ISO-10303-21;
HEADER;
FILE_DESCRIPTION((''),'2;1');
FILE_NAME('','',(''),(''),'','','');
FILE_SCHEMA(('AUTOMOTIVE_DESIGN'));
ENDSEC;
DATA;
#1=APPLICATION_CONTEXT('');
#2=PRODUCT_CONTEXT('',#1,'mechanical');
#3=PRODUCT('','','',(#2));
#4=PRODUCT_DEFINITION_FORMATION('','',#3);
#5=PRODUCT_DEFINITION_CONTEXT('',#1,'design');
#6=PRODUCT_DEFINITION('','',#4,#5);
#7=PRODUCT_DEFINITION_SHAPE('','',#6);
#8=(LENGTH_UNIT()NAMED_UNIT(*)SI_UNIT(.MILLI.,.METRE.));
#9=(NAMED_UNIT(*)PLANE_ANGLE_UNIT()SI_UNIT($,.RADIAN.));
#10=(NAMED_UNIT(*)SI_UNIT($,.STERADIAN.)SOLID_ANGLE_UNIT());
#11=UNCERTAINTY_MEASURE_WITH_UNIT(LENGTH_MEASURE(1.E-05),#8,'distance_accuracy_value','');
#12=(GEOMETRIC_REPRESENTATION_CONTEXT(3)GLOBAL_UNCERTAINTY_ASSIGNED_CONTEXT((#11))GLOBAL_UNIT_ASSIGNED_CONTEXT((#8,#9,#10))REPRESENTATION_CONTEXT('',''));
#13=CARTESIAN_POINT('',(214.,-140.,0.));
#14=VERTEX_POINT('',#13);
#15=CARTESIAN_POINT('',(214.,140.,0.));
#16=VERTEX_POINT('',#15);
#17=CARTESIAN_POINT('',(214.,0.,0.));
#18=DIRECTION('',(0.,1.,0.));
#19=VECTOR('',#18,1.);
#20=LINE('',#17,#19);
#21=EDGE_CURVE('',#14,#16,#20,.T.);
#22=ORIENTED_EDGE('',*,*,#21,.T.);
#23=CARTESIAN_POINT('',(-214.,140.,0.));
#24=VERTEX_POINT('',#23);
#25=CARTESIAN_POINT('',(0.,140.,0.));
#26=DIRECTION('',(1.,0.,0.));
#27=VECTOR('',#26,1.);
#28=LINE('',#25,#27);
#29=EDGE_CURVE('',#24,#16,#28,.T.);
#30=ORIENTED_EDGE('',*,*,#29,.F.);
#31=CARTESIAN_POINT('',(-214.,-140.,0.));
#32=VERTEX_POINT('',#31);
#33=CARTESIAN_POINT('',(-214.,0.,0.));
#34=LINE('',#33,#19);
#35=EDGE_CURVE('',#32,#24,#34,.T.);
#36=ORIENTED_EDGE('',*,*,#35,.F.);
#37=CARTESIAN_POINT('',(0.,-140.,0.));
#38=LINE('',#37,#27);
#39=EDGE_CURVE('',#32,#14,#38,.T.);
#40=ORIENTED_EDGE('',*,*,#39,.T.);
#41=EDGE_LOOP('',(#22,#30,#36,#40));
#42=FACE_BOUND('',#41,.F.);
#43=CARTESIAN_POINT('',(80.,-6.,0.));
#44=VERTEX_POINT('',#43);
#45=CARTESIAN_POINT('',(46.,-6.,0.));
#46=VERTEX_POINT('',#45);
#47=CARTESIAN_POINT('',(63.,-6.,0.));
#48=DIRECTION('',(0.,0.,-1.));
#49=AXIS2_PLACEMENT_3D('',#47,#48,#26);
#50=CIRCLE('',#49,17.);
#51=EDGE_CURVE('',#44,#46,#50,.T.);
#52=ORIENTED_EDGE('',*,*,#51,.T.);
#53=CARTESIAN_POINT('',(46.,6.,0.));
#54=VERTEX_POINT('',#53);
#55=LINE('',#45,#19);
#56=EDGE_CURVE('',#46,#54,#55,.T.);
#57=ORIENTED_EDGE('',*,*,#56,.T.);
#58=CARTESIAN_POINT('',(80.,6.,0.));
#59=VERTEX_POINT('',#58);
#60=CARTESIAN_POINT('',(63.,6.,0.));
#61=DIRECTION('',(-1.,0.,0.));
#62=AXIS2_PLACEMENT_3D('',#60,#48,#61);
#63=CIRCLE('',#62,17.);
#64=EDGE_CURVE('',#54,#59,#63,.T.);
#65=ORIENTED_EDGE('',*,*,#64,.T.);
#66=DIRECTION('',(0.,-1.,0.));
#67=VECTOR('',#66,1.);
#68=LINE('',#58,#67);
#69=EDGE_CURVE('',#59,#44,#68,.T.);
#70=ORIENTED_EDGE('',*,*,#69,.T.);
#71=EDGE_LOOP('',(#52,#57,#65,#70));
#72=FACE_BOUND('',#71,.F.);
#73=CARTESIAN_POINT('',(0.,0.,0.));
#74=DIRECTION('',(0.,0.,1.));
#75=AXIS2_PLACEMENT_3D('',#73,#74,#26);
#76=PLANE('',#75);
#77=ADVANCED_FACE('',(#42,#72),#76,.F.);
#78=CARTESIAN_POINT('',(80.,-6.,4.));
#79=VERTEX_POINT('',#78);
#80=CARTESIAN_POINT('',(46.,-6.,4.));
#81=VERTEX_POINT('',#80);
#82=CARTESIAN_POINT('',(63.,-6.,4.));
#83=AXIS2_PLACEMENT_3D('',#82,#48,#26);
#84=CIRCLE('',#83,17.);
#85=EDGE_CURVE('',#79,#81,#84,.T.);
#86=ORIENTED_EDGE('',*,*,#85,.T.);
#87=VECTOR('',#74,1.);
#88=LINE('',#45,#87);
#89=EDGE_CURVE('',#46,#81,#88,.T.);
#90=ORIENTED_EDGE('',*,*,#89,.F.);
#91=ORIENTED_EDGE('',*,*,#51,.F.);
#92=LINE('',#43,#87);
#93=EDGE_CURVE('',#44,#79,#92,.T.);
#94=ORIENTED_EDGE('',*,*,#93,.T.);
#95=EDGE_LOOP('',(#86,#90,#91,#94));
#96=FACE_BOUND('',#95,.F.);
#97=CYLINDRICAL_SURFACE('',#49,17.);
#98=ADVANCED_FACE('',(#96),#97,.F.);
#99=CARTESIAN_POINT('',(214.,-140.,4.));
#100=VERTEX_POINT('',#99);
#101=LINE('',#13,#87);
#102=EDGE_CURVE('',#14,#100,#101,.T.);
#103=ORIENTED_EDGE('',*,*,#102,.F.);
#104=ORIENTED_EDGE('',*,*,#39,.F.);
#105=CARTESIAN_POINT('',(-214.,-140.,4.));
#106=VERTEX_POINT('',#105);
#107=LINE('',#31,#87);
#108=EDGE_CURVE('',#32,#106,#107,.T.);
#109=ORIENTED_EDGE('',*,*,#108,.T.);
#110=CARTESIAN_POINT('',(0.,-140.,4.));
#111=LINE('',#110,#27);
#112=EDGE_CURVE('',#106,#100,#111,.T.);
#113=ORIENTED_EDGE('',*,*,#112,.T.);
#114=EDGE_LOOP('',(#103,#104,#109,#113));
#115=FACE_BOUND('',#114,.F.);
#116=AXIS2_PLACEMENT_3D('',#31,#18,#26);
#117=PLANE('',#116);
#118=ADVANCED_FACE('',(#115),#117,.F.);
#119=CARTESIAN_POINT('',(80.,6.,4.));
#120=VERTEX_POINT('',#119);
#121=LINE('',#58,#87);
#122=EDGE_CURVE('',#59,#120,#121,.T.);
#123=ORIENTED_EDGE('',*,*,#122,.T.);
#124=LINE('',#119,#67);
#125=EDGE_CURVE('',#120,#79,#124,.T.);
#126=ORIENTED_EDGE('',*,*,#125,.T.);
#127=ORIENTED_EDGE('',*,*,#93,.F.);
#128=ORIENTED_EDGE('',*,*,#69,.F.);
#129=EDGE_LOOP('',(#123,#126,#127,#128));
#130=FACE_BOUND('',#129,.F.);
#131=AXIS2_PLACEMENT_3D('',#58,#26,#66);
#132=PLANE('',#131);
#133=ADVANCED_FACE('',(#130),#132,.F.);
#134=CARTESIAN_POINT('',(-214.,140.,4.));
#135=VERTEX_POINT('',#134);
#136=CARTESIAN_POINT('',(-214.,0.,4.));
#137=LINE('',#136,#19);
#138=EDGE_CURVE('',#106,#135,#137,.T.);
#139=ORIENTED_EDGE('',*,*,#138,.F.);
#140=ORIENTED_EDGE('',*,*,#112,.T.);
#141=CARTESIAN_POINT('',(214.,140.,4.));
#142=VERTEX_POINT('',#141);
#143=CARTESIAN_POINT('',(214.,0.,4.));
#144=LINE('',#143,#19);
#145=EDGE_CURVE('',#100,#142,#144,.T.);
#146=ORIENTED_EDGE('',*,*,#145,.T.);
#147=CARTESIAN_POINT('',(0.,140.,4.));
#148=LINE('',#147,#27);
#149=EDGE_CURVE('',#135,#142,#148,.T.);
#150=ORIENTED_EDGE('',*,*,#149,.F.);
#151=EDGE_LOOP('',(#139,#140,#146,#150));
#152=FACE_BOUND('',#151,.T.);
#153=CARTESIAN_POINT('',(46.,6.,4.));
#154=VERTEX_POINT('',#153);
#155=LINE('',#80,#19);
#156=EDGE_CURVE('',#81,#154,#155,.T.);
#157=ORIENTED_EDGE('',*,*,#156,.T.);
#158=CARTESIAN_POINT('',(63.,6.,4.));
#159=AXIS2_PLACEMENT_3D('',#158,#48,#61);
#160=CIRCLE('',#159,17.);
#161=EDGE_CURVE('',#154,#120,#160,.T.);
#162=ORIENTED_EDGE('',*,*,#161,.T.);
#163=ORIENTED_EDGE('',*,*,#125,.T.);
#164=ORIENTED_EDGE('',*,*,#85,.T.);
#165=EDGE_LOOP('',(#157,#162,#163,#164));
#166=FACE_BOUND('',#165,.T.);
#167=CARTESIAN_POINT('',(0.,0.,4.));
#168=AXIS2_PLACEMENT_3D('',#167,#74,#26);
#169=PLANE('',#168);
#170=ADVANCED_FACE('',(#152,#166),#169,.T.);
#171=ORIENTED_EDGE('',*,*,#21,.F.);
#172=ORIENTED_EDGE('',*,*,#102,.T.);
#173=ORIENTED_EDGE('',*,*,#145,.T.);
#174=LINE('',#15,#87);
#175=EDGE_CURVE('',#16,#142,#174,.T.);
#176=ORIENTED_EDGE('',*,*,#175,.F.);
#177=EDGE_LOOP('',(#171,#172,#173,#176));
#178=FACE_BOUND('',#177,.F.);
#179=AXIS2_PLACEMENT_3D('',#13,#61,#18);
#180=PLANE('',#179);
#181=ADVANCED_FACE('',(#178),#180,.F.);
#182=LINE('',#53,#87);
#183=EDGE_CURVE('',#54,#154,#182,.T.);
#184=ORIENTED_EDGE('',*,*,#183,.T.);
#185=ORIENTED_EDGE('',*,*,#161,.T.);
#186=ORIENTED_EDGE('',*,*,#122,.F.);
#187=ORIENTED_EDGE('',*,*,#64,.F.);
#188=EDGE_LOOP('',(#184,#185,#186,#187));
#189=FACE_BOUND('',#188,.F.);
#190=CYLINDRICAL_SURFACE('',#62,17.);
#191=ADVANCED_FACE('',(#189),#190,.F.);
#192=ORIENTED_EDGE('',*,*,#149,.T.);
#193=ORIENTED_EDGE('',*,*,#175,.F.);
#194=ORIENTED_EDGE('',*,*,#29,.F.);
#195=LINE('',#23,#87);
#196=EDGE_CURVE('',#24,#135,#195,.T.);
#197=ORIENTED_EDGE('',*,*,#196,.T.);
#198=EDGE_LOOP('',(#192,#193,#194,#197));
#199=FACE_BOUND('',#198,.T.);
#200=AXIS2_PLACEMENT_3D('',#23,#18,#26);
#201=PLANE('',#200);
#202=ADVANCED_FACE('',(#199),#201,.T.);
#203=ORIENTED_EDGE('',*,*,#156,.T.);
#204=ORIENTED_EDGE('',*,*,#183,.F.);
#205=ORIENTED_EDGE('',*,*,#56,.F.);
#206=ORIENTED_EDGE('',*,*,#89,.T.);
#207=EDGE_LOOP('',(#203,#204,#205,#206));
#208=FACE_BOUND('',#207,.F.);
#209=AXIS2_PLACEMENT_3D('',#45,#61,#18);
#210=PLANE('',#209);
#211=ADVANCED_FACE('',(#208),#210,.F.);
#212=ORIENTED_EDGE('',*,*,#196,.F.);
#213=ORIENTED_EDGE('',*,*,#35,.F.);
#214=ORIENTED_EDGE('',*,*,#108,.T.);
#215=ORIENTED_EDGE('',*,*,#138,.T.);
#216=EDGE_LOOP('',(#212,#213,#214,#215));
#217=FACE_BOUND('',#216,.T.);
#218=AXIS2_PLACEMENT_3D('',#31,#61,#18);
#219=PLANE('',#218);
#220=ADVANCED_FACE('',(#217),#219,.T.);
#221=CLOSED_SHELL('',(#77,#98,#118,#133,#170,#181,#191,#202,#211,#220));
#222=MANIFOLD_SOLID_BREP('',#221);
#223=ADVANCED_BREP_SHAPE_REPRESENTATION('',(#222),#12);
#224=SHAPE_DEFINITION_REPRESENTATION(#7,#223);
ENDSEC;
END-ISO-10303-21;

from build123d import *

# Parameters (mm, degrees)
F0_W     = 428
F0_H     = 280
F1_DEPTH = 4


with BuildPart() as f1:
    # F0 (on Top) → F1 (new body)
    with BuildSketch(Plane.XY):
        Rectangle(F0_W, F0_H)
        with BuildLine():
            ThreePointArc((46, 6), (63, 23), (80, 6))
            Line((80, 6), (80, -6))
            ThreePointArc((80, -6), (63, -23), (46, -6))
            Line((46, -6), (46, 6))
        make_face(mode=Mode.SUBTRACT)
    extrude(amount=F1_DEPTH)


solid = f1.part
